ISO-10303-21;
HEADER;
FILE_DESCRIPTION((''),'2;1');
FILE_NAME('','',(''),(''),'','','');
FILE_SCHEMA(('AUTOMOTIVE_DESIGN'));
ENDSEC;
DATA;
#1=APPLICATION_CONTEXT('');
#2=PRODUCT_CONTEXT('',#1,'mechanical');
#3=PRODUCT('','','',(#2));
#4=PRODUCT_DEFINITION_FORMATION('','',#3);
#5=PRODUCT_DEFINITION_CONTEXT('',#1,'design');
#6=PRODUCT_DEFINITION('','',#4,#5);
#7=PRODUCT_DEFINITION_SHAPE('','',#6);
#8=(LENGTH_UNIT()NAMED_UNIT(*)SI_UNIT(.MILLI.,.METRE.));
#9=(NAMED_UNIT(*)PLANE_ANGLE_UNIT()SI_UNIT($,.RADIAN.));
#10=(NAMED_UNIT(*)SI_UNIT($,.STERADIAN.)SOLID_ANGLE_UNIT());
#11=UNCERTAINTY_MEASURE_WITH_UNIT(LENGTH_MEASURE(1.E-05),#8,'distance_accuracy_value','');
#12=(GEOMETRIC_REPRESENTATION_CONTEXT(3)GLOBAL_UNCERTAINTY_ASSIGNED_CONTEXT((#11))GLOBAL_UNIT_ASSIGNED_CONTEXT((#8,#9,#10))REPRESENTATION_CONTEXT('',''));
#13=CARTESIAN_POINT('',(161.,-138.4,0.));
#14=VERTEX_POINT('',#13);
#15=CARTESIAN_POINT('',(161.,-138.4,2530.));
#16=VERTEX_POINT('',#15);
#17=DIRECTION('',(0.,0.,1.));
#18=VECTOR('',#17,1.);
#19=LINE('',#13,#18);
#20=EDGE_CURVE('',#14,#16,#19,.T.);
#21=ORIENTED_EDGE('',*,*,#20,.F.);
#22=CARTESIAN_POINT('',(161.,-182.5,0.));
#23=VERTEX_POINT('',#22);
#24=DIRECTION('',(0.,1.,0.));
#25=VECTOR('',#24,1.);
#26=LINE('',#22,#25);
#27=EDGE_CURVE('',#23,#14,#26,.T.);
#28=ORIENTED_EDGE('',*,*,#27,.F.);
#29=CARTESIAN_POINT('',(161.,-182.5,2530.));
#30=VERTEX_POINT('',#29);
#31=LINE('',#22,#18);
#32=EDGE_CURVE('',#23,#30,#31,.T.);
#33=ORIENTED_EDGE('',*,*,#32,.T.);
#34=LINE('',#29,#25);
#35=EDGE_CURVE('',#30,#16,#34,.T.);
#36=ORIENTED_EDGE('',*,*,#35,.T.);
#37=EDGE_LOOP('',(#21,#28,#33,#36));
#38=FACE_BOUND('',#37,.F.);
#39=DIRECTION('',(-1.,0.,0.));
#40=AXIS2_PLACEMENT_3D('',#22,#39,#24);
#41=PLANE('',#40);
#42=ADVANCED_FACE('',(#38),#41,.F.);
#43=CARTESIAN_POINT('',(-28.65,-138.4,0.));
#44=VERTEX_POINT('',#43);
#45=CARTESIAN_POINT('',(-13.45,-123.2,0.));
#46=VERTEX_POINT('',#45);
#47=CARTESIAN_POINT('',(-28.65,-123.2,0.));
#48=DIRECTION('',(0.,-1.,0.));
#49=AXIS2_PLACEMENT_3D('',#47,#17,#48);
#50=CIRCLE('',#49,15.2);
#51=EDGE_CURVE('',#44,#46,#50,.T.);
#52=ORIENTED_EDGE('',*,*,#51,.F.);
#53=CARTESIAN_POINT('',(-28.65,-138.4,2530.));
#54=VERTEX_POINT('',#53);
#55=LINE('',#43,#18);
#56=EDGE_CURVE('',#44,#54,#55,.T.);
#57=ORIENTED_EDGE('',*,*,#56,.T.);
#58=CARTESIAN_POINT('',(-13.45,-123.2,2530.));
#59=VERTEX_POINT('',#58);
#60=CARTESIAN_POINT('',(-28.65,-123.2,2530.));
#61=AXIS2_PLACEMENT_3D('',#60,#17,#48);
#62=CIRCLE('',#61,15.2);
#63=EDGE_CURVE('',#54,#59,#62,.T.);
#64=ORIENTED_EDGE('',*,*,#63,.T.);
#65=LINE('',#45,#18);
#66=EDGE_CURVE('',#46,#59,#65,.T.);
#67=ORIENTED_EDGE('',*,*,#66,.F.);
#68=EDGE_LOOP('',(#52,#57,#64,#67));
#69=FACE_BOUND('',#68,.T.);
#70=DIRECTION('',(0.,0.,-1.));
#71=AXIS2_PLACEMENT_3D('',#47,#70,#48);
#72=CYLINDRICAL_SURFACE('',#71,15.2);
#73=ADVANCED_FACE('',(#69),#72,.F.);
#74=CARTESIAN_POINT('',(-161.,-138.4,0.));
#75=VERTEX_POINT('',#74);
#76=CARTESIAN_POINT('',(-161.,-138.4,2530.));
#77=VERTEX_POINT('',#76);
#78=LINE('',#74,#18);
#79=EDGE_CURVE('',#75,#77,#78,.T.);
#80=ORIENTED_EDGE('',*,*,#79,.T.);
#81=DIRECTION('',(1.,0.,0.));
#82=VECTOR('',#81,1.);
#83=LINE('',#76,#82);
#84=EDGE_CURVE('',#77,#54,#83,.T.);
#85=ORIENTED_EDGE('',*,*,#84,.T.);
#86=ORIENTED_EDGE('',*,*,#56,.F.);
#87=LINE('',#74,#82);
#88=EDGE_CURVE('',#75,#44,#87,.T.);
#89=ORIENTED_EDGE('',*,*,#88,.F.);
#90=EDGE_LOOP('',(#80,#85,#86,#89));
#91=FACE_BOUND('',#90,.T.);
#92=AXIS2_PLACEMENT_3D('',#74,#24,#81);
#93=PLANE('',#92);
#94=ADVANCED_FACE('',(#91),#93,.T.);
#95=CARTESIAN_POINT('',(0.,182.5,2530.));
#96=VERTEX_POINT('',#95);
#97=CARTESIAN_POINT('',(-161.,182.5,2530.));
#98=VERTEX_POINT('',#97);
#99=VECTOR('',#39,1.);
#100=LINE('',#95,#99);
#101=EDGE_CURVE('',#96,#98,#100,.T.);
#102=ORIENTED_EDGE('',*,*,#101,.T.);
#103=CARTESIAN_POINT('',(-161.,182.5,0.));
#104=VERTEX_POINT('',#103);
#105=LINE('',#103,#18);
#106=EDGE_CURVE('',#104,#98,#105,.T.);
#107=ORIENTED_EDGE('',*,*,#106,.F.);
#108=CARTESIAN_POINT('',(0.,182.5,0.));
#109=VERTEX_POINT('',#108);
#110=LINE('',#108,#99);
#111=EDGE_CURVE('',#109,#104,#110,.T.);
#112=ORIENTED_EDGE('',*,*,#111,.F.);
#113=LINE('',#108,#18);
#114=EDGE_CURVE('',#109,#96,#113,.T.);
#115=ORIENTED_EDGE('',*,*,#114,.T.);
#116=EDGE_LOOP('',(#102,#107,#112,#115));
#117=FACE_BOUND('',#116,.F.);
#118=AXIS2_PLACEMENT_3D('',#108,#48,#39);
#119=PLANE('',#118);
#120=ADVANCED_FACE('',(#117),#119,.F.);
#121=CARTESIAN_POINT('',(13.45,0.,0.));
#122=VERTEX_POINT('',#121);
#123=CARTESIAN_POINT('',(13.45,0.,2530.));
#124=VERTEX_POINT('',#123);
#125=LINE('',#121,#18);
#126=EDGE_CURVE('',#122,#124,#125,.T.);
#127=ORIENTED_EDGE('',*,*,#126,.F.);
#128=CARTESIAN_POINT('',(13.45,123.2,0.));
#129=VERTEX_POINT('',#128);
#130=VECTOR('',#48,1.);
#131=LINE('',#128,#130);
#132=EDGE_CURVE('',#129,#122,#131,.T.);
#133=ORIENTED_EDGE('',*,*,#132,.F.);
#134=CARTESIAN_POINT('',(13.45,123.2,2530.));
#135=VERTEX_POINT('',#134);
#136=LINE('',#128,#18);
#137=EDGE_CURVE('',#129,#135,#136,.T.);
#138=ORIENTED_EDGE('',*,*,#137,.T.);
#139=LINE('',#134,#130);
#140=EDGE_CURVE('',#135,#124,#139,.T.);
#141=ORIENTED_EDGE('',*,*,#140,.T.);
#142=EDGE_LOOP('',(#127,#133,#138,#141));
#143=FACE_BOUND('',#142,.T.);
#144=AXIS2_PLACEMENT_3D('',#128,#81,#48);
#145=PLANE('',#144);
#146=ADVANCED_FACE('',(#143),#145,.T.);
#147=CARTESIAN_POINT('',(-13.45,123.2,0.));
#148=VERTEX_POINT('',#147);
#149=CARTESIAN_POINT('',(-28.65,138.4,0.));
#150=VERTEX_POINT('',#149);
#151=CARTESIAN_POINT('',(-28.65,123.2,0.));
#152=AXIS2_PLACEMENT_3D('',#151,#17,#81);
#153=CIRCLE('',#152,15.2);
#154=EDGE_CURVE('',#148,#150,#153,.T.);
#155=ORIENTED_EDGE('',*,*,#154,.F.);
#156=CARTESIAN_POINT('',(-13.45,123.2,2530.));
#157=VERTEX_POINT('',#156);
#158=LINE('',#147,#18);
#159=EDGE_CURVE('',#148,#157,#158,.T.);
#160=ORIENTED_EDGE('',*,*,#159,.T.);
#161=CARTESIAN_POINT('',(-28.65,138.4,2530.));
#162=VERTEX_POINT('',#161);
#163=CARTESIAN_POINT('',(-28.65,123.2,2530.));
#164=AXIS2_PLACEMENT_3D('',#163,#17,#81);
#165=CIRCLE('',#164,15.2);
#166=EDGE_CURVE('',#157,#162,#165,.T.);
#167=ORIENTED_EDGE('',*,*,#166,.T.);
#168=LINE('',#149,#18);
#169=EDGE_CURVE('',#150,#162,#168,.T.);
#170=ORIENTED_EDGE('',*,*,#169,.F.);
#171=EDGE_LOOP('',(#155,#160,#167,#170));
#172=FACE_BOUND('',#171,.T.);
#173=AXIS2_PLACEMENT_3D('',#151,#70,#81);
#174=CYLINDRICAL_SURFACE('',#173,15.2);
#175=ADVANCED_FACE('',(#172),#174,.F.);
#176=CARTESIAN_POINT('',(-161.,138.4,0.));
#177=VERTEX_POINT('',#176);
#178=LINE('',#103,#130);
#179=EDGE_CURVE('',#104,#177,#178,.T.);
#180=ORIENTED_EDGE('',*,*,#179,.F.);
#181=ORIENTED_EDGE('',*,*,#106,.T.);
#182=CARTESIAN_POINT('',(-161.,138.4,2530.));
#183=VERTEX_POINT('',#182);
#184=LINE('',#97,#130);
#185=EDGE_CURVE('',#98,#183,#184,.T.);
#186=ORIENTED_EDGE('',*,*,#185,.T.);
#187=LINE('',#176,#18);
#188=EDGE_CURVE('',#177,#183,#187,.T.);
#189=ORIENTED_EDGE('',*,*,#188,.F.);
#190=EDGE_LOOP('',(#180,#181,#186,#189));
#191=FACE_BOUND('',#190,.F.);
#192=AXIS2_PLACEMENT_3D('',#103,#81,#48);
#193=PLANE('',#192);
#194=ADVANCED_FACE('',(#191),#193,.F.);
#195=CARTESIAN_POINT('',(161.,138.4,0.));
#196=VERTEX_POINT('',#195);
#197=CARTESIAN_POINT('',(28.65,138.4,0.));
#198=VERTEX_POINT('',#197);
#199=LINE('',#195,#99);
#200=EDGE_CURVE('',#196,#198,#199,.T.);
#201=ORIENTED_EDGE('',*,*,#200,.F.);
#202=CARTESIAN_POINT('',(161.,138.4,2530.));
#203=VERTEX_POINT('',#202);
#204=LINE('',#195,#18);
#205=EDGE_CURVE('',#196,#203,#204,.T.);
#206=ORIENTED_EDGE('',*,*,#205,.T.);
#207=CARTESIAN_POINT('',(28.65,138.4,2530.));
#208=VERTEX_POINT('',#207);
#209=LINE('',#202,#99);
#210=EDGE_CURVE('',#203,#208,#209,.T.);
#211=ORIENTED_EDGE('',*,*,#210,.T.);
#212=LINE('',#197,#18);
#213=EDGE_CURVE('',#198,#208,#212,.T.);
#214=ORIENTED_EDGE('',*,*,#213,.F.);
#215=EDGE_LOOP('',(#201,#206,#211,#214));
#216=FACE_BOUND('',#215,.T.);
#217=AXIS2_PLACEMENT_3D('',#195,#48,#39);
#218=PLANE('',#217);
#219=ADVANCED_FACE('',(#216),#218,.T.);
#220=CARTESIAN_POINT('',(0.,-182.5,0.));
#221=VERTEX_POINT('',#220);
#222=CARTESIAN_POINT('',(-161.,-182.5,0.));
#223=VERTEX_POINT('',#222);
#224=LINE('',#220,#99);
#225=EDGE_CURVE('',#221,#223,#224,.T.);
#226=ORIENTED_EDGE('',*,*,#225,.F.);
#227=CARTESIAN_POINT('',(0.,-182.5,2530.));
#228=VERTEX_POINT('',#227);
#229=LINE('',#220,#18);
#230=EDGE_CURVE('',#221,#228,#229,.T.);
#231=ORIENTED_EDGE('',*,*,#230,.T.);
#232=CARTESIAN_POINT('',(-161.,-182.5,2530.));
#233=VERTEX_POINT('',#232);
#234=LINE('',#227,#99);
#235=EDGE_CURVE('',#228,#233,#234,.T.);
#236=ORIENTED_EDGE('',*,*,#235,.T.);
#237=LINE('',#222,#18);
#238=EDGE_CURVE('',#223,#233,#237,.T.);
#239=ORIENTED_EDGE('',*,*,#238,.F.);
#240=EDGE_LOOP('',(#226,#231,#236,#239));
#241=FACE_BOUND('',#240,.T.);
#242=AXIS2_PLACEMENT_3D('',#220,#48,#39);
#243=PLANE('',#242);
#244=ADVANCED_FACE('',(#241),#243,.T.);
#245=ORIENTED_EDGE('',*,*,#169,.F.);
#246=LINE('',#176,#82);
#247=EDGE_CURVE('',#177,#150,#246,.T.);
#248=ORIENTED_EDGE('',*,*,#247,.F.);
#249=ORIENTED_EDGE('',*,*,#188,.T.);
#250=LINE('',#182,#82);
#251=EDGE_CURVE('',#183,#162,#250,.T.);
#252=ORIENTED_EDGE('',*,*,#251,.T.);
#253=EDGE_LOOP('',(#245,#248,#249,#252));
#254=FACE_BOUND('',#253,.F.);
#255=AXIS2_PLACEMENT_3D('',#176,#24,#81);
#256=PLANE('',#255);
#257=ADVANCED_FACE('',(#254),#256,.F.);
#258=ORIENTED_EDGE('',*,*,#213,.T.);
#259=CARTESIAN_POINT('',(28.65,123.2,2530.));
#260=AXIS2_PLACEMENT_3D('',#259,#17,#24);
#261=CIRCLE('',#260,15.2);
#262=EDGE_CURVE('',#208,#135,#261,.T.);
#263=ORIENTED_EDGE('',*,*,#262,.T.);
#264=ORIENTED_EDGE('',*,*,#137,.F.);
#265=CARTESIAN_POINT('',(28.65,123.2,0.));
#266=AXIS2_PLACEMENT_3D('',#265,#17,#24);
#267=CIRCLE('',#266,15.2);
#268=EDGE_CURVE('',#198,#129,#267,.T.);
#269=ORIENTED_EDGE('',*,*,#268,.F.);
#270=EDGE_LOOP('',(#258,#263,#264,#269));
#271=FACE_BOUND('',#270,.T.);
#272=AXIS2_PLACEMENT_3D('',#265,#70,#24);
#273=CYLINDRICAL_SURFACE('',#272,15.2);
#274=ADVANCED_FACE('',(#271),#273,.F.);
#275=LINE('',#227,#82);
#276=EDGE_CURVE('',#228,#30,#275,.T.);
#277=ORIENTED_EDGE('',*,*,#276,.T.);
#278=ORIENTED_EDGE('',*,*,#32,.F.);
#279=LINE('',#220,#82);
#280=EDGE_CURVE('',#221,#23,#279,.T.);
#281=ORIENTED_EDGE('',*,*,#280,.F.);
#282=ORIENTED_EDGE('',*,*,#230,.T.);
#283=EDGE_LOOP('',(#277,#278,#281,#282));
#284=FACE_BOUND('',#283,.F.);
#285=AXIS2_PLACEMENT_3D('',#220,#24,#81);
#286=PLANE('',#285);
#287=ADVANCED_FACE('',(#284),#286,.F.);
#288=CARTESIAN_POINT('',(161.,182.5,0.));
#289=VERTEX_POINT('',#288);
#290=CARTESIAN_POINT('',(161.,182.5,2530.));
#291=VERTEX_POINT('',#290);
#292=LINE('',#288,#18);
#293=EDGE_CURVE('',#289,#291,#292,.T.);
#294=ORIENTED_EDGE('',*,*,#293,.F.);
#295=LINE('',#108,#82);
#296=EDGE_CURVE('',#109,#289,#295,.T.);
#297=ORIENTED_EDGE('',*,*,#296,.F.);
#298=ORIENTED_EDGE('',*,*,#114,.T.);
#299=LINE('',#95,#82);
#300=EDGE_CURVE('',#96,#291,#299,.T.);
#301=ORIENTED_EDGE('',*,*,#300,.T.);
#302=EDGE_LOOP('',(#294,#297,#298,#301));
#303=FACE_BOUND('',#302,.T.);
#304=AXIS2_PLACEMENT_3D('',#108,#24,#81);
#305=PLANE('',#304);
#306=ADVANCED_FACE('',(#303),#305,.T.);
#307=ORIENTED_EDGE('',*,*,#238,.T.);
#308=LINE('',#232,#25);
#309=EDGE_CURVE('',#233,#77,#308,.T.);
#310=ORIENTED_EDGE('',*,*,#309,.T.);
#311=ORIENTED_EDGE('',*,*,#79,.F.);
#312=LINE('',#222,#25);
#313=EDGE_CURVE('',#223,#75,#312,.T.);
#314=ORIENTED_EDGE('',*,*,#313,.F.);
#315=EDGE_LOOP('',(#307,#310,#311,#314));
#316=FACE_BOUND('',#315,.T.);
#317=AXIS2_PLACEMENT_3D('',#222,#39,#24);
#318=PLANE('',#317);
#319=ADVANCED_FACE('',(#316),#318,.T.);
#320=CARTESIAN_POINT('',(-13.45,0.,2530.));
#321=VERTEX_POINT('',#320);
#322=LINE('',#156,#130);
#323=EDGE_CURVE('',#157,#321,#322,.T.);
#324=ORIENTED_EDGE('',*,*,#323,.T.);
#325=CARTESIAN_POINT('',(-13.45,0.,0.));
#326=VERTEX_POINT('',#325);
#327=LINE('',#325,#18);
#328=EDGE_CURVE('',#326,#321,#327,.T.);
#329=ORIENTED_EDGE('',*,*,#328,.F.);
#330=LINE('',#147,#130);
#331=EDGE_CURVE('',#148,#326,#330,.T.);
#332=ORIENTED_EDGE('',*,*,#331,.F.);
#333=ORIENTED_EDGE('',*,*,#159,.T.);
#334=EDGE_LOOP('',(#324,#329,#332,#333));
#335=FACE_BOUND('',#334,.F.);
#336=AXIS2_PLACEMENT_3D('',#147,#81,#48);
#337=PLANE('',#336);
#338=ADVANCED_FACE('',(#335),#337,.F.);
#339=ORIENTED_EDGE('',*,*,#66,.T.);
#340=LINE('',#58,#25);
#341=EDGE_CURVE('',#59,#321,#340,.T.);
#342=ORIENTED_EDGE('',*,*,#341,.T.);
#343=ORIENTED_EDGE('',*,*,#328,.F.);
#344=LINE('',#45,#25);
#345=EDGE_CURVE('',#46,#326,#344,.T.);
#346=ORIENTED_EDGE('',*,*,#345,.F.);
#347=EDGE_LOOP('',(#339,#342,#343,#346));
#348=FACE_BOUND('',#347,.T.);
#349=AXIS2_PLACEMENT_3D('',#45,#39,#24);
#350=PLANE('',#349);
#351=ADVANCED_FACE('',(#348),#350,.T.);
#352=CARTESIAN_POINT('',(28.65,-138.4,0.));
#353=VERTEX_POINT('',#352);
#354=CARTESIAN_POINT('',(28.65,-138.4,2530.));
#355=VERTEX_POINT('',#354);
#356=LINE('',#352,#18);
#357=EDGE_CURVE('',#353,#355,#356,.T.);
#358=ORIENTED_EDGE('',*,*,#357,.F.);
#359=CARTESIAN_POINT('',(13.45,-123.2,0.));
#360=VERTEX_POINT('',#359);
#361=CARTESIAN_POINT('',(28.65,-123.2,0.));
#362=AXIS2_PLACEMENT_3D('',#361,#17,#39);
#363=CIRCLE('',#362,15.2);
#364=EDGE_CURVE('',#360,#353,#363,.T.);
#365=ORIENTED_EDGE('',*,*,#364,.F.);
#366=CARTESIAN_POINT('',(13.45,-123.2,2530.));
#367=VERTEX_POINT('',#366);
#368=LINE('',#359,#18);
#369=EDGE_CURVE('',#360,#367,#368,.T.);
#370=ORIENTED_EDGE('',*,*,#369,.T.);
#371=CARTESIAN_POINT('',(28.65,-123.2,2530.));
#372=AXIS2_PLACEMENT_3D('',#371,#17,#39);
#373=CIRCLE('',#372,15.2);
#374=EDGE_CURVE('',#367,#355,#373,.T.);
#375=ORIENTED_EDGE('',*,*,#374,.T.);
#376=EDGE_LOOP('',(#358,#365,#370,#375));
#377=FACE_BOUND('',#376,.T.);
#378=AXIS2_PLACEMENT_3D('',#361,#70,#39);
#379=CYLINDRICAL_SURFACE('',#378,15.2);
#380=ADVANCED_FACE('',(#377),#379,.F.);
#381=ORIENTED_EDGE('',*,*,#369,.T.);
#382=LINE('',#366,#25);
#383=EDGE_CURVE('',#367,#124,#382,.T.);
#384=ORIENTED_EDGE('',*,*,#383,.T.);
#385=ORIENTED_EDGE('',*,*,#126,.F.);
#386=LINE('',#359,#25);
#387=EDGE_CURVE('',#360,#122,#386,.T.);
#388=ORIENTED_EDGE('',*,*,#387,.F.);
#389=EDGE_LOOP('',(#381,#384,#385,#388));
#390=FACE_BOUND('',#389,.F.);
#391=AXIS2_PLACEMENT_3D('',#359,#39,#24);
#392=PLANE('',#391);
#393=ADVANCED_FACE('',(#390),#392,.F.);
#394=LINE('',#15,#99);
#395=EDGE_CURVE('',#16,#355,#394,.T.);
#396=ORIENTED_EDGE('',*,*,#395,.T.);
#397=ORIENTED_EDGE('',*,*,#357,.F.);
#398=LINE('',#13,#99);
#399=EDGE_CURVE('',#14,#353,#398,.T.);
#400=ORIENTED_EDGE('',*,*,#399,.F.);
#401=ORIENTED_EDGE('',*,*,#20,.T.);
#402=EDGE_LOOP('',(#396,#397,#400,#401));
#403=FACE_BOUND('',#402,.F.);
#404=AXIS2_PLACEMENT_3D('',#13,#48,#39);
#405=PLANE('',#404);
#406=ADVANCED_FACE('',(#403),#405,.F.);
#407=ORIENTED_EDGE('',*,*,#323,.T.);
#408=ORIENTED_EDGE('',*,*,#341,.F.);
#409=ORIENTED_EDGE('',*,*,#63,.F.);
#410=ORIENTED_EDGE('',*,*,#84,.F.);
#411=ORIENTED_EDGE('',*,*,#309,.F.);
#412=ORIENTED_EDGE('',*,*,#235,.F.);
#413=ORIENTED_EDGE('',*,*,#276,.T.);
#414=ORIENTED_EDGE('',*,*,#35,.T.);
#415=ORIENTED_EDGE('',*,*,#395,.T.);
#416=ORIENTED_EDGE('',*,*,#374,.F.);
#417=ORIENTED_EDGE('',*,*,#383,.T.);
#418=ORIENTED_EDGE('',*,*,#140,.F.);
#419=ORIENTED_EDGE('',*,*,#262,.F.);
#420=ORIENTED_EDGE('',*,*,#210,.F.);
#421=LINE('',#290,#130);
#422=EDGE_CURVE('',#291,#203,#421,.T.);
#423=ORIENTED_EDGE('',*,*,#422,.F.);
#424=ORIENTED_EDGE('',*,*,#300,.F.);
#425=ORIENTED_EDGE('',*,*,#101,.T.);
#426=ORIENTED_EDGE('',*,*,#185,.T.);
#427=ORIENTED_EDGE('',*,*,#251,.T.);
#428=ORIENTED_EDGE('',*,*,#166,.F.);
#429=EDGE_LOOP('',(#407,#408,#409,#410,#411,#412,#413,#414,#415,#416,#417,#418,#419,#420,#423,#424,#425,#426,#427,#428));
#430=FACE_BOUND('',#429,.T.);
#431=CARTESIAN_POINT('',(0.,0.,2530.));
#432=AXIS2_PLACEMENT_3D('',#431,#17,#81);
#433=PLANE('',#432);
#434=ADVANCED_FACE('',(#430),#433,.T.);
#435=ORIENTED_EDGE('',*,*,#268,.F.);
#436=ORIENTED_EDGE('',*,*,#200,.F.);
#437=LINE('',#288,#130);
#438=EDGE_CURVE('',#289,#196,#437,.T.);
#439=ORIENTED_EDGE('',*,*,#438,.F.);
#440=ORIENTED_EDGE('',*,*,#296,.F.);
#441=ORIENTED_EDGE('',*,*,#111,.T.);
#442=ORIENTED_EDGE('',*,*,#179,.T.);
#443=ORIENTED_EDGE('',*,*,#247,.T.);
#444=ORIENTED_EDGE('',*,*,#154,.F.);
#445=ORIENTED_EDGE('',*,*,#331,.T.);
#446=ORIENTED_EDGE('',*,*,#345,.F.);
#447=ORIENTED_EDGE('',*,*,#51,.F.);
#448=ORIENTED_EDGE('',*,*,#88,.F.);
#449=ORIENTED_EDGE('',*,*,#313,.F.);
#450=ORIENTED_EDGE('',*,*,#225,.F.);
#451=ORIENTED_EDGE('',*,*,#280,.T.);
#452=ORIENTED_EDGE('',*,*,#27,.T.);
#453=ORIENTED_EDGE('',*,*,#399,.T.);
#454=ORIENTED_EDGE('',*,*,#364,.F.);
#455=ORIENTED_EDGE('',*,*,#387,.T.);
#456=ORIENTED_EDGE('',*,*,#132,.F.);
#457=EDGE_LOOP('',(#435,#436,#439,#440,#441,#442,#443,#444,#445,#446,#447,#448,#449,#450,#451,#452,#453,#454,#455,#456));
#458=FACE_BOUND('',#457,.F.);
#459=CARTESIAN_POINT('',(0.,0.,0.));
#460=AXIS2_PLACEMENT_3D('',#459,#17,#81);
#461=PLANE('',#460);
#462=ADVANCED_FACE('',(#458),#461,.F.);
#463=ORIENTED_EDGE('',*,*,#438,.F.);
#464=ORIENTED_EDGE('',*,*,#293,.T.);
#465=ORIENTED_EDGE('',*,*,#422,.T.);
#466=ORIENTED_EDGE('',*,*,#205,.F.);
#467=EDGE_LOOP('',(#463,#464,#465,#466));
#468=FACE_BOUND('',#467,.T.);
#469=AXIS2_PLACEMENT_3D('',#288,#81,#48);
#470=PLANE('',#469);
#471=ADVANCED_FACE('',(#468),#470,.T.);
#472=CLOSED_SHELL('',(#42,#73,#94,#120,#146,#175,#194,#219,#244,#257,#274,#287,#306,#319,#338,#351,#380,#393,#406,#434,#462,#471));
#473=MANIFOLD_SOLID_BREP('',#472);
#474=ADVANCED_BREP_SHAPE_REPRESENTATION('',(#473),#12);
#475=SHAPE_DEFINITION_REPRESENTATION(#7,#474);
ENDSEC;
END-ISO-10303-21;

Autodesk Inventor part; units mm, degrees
ref_plane "YZ Plane" through (0, 0, 0) normal (1, 0, 0) x (0, 1, 0)
ref_plane "Start plane" through (0, 0, 0) normal (0, 0, 1) x (1, 0, 0)
ref_plane "End plane" through (0, 0, 2530) normal (0, 0, 1) x (1, 0, 0)
sketch "Sketch" plane through (0, 0, 0) normal (0, 0, 1) x (1, 0, 0)
  line L0 (-161, -182.5) -> (-161, -138.4)
  line L1 (-161, -138.4) -> (-28.65, -138.4)
  line L2 (-13.45, -123.2) -> (-13.45, 0)
  line L3 (-13.45, 0) -> (0, 0) construction
  line L4 (0, 0) -> (0, -182.5) construction
  line L5 (0, -182.5) -> (-161, -182.5)
  line L6 (-60, 0) -> (80, 0) construction
  line L7 (0, -60) -> (0, 80) construction
  line L8 (161, -182.5) -> (161, -138.4)
  line L9 (161, -138.4) -> (28.65, -138.4)
  line L10 (13.45, -123.2) -> (13.45, 0)
  line L11 (13.45, 0) -> (0, 0) construction
  line L12 (0, -182.5) -> (161, -182.5)
  line L13 (-161, 182.5) -> (-161, 138.4)
  line L14 (-161, 138.4) -> (-28.65, 138.4)
  line L15 (-13.45, 123.2) -> (-13.45, 0)
  line L16 (0, 182.5) -> (-161, 182.5)
  line L17 (161, 182.5) -> (161, 138.4)
  line L18 (161, 138.4) -> (28.65, 138.4)
  line L19 (0, 182.5) -> (161, 182.5)
  line L20 (13.45, 123.2) -> (13.45, 0)
  arc A0 (-13.45, 123.2) -> (-28.65, 138.4) centre (-28.65, 123.2) ccw
  arc A1 (28.65, 138.4) -> (13.45, 123.2) centre (28.65, 123.2) ccw
  arc A2 (13.45, -123.2) -> (28.65, -138.4) centre (28.65, -123.2) ccw
  arc A3 (-28.65, -138.4) -> (-13.45, -123.2) centre (-28.65, -123.2) ccw
  line L21 (0, 108) -> (0, -88) construction
  line L22 (-88, 0) -> (108, 0) construction
  point P0 (-13.45, -138.4)
  point P1 (13.45, -138.4)
  point P2 (-13.45, 138.4)
  point P3 (13.45, 138.4)
  dimension "d1" = 182.5
  dimension "d2" = 44.1
  dimension "d3" = 161
  dimension "d4" = 13.45
  dimension "d10" = 15.2
extrude "Body" add sketch "Sketch" along normal up to surface (2530 mm away) from surface at 0
sketch "Sketch4" plane through (0, 0, 0) normal (0, 0, 1) x (1, 0, 0)
  line L0 (0, 0) -> (10, 0)
ref_plane "Work Plane3" through (0, 0, 0) normal (0, -1, 0) x (1, 0, 0)
sketch "Sketch5" plane through (0, 0, 0) normal (0, -1, 0) x (1, 0, 0)
  line L0 (-2, 0) -> (12, 0) projected
  line L1 (-2, 2530) -> (12, 2530) projected
  dimension "d14" = 2530
equation "\"d1\" = 0.5 * G_H"
equation "\"d2\" = G_T1"
equation "\"d3\" = 0.5 * G_W"
equation "\"d4\" = 0.5 * G_T"
equation "\"d10\" = G_IR"
equation "\"d5\" = G_L"
equation "\"G_W\" = 322"
equation "\"G_H\" = 365"
equation "\"G_T\" = 26.9"
equation "\"G_T1\" = 44.1"
equation "\"G_IR\" = 15.2"
equation "\"G_L\" = d14"
equation "\"G_OFFSET_START\" = 0"
equation "\"G_OFFSET_END\" = 0"
properties part number "AS 3679 - 310 UC - 283 - 2530" material "Steel, Mild"
